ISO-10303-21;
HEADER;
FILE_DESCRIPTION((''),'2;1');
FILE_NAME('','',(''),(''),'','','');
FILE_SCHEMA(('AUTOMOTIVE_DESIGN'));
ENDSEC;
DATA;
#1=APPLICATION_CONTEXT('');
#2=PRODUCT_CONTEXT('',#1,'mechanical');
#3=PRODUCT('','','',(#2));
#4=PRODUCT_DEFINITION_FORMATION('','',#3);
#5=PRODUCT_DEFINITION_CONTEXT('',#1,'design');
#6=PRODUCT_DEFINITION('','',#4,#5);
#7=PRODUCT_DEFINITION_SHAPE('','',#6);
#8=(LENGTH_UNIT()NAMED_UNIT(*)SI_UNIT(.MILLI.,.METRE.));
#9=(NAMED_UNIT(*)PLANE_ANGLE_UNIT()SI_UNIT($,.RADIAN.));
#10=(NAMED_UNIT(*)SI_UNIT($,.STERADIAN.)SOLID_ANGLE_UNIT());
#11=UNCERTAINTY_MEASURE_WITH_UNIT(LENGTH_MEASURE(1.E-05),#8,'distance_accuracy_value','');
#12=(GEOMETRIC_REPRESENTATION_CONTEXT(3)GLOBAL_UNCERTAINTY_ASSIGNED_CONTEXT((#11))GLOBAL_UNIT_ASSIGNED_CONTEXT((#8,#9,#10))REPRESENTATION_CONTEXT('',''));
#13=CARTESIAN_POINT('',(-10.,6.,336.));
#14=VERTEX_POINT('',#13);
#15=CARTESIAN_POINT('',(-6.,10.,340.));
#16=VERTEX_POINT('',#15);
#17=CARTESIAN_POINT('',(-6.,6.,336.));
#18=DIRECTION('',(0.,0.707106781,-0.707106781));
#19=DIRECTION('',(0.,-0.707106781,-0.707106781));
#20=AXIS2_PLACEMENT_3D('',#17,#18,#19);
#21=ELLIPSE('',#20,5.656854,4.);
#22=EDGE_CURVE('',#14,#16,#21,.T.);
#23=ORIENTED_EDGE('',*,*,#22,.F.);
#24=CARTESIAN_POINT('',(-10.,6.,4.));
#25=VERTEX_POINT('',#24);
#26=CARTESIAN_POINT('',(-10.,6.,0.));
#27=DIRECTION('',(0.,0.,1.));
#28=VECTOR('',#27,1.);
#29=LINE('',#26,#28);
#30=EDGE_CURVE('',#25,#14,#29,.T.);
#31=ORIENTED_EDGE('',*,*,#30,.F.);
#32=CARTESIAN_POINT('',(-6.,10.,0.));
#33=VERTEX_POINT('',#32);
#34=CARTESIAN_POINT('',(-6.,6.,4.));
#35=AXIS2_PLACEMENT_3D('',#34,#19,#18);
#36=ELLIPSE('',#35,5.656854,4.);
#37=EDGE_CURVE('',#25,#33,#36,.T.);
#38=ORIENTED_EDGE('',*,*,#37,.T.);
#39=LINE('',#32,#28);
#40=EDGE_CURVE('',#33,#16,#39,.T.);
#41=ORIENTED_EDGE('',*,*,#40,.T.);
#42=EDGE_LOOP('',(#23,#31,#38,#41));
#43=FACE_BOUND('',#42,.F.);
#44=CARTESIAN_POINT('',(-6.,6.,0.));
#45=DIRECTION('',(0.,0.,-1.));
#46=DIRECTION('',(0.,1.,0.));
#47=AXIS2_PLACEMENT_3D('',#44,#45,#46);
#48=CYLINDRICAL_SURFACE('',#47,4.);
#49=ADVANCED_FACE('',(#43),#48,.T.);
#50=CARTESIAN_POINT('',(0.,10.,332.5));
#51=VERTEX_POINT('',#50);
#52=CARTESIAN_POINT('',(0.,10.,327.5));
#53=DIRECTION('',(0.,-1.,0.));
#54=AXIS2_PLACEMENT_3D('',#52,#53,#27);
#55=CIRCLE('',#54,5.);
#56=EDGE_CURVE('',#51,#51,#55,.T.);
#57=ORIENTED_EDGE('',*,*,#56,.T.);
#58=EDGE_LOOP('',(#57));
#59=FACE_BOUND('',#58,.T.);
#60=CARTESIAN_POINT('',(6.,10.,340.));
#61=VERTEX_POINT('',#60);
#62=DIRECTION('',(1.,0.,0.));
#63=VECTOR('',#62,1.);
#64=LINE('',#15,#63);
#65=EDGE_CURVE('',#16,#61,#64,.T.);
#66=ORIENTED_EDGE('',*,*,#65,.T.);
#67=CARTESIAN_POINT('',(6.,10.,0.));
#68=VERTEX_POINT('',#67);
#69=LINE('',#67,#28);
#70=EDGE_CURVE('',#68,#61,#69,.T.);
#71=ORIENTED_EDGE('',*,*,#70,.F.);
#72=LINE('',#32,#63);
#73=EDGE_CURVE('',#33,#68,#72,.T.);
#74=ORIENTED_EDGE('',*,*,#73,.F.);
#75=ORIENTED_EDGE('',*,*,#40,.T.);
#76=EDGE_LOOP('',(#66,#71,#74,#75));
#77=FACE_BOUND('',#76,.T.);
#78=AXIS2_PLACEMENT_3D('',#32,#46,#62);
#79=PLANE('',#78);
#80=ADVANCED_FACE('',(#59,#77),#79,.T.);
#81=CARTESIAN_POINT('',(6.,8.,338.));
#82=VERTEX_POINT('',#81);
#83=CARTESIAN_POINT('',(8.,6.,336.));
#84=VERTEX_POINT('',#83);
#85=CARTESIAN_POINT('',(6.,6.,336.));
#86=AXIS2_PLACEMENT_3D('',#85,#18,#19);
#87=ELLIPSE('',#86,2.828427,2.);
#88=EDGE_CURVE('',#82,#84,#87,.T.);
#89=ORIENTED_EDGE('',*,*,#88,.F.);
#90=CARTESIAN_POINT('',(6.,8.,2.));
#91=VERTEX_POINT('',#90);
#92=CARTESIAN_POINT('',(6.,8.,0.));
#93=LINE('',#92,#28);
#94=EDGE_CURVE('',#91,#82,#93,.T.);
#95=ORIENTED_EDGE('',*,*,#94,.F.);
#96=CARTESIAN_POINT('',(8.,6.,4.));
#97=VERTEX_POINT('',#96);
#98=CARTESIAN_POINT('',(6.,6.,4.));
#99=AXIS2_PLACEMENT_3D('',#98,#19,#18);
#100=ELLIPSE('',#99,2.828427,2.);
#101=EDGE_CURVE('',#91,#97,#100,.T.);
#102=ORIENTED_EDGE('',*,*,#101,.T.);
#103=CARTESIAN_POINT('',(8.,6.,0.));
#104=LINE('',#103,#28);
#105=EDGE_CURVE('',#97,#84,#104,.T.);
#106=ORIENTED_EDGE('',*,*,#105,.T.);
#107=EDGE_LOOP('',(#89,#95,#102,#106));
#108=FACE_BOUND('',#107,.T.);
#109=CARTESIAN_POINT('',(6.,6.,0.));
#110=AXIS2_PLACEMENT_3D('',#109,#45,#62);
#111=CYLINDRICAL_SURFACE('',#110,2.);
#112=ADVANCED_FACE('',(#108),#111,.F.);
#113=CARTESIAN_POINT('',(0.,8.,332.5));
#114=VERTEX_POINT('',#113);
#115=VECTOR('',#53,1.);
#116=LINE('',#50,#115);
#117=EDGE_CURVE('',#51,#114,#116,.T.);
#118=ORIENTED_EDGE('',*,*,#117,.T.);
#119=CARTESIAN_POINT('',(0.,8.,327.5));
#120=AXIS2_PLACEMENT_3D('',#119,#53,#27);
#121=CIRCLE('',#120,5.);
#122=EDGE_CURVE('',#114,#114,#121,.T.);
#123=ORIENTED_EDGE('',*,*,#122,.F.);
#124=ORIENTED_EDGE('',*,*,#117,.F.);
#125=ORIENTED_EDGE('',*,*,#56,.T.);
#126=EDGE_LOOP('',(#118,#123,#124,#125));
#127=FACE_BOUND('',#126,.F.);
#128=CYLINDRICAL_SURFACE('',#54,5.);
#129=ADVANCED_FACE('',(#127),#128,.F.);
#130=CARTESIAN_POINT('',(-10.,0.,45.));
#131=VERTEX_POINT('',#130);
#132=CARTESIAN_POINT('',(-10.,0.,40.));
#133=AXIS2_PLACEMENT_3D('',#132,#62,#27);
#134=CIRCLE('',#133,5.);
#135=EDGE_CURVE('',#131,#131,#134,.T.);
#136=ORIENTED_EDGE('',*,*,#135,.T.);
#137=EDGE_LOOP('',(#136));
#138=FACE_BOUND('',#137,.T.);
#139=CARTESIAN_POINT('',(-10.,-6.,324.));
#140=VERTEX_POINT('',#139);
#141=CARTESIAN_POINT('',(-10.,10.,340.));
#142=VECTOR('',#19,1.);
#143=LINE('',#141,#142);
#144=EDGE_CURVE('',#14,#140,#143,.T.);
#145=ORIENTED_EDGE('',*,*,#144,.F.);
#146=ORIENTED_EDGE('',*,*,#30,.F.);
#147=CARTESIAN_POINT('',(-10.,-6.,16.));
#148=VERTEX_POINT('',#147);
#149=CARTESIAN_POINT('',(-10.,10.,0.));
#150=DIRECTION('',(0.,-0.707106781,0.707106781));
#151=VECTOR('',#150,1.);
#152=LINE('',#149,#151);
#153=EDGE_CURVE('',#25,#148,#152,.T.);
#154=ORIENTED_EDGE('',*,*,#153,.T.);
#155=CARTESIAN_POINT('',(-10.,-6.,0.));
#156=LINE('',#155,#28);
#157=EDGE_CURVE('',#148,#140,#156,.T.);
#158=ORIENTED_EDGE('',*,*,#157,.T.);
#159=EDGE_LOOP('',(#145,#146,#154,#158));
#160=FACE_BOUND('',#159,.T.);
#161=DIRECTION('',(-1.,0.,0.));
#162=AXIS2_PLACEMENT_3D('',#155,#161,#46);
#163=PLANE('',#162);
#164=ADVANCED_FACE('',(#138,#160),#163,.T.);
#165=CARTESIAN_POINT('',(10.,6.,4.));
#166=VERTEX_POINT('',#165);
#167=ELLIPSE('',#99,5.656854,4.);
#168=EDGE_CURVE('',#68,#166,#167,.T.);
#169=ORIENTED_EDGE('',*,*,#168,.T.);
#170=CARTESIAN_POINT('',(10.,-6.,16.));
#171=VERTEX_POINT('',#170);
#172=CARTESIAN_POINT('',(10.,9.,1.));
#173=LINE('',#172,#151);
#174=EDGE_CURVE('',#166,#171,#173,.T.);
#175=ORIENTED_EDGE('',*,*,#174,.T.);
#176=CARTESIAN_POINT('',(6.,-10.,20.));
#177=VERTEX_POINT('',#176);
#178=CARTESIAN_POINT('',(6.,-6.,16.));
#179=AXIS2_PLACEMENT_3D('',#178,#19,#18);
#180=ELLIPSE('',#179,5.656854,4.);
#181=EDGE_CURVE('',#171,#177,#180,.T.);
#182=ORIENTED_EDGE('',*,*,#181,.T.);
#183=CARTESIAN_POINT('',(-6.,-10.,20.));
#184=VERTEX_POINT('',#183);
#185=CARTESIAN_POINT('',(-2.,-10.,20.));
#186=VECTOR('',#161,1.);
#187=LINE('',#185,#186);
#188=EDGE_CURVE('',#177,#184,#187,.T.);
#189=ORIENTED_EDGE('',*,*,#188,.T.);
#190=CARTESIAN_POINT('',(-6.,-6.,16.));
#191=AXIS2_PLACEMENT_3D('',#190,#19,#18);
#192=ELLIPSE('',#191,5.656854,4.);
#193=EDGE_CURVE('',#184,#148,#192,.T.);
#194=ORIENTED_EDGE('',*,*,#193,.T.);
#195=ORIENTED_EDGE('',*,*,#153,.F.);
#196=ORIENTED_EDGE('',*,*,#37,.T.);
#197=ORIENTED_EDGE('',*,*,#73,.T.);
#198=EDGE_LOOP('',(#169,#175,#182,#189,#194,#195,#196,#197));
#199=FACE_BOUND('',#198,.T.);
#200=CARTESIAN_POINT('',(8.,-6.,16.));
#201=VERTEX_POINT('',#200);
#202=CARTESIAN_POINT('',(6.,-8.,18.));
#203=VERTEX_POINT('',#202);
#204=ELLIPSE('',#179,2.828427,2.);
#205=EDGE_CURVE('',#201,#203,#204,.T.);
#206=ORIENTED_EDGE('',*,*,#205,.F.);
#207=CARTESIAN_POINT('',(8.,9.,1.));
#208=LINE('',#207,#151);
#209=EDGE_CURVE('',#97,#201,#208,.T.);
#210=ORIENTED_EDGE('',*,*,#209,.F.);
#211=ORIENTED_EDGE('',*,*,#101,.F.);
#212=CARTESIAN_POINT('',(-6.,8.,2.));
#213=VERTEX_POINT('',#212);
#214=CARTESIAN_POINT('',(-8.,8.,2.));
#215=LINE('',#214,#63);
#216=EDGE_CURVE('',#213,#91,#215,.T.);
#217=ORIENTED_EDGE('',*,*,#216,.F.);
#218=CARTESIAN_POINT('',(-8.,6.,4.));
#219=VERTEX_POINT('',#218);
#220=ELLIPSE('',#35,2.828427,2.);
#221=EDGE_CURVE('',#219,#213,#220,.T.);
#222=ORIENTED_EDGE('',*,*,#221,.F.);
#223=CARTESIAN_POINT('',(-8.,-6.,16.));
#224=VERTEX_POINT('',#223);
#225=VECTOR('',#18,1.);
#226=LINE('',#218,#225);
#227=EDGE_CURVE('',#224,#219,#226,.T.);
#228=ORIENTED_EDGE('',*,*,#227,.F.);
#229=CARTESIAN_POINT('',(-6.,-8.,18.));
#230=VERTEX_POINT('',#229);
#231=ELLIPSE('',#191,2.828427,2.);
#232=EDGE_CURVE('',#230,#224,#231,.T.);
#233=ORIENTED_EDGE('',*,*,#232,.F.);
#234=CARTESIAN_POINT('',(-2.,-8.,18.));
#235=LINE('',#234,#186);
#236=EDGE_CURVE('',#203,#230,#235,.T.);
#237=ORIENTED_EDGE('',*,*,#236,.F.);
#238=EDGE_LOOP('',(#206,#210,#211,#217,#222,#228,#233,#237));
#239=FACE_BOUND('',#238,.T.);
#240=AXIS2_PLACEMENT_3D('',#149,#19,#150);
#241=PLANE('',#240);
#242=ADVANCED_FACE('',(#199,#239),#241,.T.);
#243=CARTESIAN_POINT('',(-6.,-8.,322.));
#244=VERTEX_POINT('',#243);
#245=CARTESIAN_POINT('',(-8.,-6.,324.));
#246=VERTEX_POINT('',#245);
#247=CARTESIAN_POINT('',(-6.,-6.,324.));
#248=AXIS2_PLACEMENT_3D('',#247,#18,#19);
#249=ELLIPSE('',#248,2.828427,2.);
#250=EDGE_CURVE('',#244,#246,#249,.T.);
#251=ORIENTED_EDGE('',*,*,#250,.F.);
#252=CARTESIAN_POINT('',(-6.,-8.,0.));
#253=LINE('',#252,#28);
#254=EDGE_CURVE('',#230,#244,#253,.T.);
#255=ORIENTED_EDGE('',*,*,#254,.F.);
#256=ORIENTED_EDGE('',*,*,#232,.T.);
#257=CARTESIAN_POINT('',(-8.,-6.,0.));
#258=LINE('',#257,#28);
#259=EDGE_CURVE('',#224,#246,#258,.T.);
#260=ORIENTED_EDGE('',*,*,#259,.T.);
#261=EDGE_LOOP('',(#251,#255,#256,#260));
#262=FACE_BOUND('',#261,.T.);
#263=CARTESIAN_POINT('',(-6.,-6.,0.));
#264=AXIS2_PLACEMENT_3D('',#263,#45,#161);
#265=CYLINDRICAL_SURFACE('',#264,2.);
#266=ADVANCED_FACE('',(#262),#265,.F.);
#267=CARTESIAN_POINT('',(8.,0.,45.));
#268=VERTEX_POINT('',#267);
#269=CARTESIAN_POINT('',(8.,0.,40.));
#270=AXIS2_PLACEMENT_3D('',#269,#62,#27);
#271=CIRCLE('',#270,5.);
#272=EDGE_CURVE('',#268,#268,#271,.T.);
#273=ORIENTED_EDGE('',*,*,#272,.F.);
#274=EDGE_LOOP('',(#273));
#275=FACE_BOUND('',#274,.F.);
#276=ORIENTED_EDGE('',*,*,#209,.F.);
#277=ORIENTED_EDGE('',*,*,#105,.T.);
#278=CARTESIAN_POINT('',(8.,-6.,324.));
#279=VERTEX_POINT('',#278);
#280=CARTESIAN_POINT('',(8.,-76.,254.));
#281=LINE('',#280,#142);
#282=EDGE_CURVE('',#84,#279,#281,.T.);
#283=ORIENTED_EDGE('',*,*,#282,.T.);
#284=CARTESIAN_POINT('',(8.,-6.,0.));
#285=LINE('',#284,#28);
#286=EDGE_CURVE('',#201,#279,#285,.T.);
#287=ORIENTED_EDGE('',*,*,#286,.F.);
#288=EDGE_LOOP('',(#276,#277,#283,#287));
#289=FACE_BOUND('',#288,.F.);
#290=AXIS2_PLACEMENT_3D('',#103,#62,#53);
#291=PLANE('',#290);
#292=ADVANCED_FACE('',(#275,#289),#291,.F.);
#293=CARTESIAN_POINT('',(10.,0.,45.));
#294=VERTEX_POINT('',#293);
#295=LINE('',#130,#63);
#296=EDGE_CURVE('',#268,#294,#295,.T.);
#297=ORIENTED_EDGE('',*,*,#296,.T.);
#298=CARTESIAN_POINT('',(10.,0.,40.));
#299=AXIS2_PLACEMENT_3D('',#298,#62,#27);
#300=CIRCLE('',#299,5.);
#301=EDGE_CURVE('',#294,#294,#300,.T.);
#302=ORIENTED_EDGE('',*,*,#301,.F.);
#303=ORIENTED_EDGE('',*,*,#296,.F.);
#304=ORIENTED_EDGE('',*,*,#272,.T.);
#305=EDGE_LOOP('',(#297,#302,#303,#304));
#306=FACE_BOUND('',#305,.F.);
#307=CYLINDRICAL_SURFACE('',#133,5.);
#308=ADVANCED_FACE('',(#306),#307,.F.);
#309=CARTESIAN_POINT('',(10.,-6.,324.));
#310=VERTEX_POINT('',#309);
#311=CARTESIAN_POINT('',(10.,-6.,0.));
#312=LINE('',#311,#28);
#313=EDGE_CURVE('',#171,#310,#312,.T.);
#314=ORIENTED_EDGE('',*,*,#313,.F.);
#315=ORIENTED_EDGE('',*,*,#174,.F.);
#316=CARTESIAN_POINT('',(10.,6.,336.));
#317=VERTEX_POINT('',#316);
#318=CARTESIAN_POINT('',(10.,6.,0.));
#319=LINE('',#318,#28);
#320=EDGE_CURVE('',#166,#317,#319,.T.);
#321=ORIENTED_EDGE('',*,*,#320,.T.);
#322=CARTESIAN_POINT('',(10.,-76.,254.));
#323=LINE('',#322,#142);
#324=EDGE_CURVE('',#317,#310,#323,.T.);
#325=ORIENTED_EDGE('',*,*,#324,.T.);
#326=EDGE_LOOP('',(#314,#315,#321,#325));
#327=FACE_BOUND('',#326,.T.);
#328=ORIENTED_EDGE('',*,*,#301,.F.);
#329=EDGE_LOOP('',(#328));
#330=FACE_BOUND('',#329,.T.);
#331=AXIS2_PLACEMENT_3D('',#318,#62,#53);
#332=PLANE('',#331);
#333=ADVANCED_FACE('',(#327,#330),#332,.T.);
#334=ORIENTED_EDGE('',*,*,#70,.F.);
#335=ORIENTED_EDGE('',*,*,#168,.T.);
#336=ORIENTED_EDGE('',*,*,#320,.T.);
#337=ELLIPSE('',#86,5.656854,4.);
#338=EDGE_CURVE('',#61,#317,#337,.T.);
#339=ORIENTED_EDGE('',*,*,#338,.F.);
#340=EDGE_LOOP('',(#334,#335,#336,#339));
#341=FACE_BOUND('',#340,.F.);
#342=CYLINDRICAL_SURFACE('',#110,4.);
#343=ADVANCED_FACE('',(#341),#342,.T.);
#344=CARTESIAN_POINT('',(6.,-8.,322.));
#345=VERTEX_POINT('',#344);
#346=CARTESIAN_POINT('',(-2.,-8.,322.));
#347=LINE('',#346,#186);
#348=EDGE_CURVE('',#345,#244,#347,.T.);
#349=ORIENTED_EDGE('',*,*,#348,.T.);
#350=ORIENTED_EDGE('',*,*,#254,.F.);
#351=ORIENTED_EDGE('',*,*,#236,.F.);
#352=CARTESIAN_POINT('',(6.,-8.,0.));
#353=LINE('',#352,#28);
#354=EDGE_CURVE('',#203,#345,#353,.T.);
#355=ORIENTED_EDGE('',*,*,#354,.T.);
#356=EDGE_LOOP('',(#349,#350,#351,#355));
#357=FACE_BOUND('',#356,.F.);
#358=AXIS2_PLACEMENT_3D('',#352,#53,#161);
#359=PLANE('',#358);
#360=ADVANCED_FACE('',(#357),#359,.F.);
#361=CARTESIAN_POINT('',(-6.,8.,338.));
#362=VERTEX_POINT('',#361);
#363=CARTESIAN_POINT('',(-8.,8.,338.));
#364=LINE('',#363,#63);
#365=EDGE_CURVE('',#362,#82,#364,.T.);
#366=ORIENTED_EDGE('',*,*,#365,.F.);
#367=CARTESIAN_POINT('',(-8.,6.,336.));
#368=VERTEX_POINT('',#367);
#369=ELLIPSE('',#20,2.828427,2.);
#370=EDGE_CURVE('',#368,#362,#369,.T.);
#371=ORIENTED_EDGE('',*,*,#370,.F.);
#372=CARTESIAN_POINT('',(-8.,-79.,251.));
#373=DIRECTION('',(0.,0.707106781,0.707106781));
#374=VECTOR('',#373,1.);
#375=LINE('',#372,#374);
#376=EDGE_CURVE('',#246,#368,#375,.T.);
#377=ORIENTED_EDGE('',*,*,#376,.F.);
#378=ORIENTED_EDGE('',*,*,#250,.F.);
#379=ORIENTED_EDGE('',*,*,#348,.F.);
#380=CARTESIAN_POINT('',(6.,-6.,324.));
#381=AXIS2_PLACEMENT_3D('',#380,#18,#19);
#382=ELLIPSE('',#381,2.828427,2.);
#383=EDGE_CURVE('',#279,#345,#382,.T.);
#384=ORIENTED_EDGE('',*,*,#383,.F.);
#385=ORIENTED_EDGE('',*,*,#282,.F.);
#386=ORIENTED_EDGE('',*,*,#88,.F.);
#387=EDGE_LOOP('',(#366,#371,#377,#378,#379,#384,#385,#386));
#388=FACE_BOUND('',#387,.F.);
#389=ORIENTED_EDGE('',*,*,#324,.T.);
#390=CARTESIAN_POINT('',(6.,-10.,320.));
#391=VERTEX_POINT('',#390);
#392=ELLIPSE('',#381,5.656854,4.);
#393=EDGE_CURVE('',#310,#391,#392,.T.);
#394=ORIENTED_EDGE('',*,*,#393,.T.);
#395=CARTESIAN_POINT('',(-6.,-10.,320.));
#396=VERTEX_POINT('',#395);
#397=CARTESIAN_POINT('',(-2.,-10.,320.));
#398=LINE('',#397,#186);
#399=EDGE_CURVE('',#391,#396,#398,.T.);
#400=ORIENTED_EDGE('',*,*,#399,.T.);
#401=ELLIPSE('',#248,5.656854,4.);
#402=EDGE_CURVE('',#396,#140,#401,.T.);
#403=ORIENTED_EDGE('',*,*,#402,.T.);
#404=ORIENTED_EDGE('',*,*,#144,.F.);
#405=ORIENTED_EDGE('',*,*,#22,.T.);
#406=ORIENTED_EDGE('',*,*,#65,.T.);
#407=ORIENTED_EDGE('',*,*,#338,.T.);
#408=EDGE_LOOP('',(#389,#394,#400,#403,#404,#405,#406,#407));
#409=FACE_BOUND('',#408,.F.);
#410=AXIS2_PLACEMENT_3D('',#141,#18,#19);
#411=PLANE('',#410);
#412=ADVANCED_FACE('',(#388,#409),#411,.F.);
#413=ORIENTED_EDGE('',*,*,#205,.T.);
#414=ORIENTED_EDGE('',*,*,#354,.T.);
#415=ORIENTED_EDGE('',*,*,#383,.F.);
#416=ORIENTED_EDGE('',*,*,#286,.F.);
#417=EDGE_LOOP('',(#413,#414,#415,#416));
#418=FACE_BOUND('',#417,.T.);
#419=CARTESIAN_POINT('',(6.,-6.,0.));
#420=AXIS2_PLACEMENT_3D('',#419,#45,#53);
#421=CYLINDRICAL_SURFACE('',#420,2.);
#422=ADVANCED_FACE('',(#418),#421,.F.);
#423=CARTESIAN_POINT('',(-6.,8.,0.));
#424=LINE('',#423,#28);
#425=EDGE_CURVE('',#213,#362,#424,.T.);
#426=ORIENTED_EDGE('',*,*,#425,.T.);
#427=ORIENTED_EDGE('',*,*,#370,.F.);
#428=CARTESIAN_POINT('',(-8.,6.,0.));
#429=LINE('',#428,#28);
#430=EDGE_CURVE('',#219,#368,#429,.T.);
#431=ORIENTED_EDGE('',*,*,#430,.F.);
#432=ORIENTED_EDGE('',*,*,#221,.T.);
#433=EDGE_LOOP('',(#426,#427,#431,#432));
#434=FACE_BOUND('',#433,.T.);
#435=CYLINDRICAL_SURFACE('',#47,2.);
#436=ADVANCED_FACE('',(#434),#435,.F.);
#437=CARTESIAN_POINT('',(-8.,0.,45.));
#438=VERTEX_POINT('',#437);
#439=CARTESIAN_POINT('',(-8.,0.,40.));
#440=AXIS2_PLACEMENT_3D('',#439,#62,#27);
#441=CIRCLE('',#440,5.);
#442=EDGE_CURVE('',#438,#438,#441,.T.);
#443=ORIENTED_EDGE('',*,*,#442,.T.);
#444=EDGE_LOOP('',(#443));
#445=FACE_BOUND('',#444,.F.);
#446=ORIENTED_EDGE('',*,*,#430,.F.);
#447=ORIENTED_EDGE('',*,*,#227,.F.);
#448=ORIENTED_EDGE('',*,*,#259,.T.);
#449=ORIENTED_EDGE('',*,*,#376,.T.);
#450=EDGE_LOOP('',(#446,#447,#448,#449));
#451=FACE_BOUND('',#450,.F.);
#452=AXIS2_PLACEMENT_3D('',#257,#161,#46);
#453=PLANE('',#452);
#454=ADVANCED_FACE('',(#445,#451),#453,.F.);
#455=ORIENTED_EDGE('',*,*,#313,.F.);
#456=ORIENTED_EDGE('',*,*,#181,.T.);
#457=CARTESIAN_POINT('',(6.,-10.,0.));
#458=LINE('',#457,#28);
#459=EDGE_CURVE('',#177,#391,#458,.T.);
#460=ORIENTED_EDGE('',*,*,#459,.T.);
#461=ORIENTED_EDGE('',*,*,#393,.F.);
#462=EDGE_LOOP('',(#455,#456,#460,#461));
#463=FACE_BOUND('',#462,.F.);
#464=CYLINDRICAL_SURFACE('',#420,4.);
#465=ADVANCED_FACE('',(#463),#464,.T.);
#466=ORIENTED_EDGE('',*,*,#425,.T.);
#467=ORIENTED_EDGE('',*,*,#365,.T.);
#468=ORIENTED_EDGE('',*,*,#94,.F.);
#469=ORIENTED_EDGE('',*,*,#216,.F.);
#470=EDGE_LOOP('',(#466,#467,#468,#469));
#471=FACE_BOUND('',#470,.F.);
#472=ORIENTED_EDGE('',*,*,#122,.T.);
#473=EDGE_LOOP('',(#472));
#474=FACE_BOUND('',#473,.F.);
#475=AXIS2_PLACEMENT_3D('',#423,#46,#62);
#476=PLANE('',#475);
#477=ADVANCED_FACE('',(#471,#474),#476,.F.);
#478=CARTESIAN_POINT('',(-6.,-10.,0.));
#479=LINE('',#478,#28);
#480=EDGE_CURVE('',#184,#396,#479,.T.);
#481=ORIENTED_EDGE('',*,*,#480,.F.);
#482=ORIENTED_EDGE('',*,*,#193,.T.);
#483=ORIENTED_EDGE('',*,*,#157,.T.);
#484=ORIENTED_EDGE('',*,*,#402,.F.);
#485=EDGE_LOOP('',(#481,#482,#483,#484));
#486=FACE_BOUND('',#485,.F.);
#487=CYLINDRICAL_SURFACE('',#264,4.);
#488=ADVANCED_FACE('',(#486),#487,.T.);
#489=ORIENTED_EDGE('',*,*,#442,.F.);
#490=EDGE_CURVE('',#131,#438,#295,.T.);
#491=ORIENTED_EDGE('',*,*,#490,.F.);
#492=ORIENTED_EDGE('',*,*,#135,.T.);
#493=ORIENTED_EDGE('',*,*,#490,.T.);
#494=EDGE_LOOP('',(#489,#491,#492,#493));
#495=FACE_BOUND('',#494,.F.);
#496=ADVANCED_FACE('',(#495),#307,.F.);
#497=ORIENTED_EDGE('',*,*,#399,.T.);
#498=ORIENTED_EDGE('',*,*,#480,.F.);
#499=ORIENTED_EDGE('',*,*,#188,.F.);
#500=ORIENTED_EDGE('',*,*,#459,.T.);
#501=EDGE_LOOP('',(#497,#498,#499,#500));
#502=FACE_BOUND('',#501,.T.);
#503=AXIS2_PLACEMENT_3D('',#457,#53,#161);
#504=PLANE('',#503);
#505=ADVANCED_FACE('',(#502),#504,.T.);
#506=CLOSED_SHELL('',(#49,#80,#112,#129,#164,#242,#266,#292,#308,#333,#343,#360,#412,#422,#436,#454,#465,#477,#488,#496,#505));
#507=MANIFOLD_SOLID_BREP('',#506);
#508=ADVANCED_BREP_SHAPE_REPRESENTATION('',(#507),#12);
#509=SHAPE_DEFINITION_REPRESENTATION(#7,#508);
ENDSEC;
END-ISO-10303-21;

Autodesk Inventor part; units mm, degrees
ref_plane "YZ Plane" through (0, 0, 0) normal (1, 0, 0) x (0, 1, 0)
ref_plane "Piano iniziale" through (0, 0, 0) normal (0, 0, 1) x (1, 0, 0)
ref_plane "Piano finale" through (0, 0, 340) normal (0, 0, 1) x (1, 0, 0)
sketch "Schizzo" plane through (0, 0, 0) normal (0, 0, 1) x (1, 0, 0)
  line L0 (-10, -6) -> (-10, 6)
  line L1 (-6, 10) -> (6, 10)
  line L2 (10, 6) -> (10, -6)
  line L3 (6, -10) -> (-6, -10)
  arc A0 (-10, -6) -> (-6, -10) centre (-6, -6) ccw
  arc A1 (10, 6) -> (6, 10) centre (6, 6) ccw
  arc A2 (-6, 10) -> (-10, 6) centre (-6, 6) ccw
  arc A3 (6, -10) -> (10, -6) centre (6, -6) ccw
  arc A4 (-6, 8) -> (-8, 6) centre (-6, 6) ccw
  line L4 (-6, 8) -> (6, 8)
  arc A5 (8, 6) -> (6, 8) centre (6, 6) ccw
  line L5 (8, 6) -> (8, -6)
  arc A6 (6, -8) -> (8, -6) centre (6, -6) ccw
  line L6 (6, -8) -> (-6, -8)
  arc A7 (-8, -6) -> (-6, -8) centre (-6, -6) ccw
  line L7 (-8, -6) -> (-8, 6)
  line L8 (0, 15.1598) -> (0, -15.1598) construction
  line L9 (-15.1598, 0) -> (15.1598, 0) construction
  dimension "d7" = 4
  dimension "d9" = 20
  dimension "d11" = 20
  dimension "d12" = 2
  dimension "d15" = 10
  dimension "d16" = 10
extrude "Corpo" add sketch "Schizzo" along normal up to surface (340 mm away) from surface at 0
sketch "Sketch3" plane through (0, 0, 0) normal (0, 0, 1) x (1, 0, 0)
  line L0 (0, 0) -> (10, 0)
ref_plane "Work Plane3" through (0, 0, 0) normal (0, -1, 0) x (1, 0, 0)
sketch "Sketch4" plane through (0, 0, 0) normal (0, -1, 0) x (1, 0, 0)
  line L0 (-2, 0) -> (12, 0)
  line L1 (-2, 340) -> (12, 340)
  dimension "d18" = 340
sketch "Schizzo5" plane through (-10, 6, 0) normal (-1, 0, 0) x (0, 0, 1)
  line L0 (0, 4) -> (0, 0) projected
  line L1 (0, 4) -> (28.5929, -24.5929)
  line L2 (0, 4) -> (40.4365, 4) construction
  line L3 (28.5929, -24.5929) -> (0, -24.5929)
  line L4 (0, -24.5929) -> (0, 4)
  line L5 (340, 4) -> (340, 0) projected
  line L6 (340, 4) -> (307.9608, -28.0392)
  line L7 (340, 4) -> (385.3103, 4) construction
  line L8 (307.9608, -28.0392) -> (340, -28.0392)
  line L9 (340, -28.0392) -> (340, 4)
  line L10 (340, 0) -> (340, -12) projected
  point P0 (0, -6)
  dimension "d19" = 45
  dimension "d20" = 135
extrude "Estrusione2" cut sketch "Schizzo5" against normal up to next
sketch "Schizzo6" plane through (6, 10, 340) normal (0, 1, 0) x (1, 0, 0)
  line L0 (-12, 0) -> (0, 0) projected
  point P0 (-6, 340)
  point P1 (-6, 12.5)
  point P2 (-6, 0)
  dimension "d23" = 12.5
hole "Foro1" at (0, 10, 327.5) direction (0, -1, 0) diameter 10 depth 5 tip angle 118
sketch "Schizzo7" plane through (-10, 6, 4) normal (-1, 0, 0) x (0, 0, 1)
  point P0 (-4, -6)
  point P1 (36, -6)
  dimension "d31" = 40
hole "Foro2" at (-10, 0, 40) direction (1, 0, 0) diameter 10 end through all
equation "\"d7\" = G_IR"
equation "\"d9\" = G_W"
equation "\"d11\" = G_H"
equation "\"d12\" = G_T"
equation "\"d15\" = 0.5 * d9"
equation "\"d16\" = 0.5 * d11"
equation "\"d3\" = G_L"
equation "\"G_W\" = 20"
equation "\"G_H\" = 20"
equation "\"G_T\" = 2"
equation "\"G_IR\" = 4"
equation "\"G_L\" = d18"
equation "\"G_OFFSET_START\" = 0"
equation "\"G_OFFSET_END\" = 0"
properties part number "ISO 10799-2 - 20x20x2 - 340" material "Acciaio, Dolce"
